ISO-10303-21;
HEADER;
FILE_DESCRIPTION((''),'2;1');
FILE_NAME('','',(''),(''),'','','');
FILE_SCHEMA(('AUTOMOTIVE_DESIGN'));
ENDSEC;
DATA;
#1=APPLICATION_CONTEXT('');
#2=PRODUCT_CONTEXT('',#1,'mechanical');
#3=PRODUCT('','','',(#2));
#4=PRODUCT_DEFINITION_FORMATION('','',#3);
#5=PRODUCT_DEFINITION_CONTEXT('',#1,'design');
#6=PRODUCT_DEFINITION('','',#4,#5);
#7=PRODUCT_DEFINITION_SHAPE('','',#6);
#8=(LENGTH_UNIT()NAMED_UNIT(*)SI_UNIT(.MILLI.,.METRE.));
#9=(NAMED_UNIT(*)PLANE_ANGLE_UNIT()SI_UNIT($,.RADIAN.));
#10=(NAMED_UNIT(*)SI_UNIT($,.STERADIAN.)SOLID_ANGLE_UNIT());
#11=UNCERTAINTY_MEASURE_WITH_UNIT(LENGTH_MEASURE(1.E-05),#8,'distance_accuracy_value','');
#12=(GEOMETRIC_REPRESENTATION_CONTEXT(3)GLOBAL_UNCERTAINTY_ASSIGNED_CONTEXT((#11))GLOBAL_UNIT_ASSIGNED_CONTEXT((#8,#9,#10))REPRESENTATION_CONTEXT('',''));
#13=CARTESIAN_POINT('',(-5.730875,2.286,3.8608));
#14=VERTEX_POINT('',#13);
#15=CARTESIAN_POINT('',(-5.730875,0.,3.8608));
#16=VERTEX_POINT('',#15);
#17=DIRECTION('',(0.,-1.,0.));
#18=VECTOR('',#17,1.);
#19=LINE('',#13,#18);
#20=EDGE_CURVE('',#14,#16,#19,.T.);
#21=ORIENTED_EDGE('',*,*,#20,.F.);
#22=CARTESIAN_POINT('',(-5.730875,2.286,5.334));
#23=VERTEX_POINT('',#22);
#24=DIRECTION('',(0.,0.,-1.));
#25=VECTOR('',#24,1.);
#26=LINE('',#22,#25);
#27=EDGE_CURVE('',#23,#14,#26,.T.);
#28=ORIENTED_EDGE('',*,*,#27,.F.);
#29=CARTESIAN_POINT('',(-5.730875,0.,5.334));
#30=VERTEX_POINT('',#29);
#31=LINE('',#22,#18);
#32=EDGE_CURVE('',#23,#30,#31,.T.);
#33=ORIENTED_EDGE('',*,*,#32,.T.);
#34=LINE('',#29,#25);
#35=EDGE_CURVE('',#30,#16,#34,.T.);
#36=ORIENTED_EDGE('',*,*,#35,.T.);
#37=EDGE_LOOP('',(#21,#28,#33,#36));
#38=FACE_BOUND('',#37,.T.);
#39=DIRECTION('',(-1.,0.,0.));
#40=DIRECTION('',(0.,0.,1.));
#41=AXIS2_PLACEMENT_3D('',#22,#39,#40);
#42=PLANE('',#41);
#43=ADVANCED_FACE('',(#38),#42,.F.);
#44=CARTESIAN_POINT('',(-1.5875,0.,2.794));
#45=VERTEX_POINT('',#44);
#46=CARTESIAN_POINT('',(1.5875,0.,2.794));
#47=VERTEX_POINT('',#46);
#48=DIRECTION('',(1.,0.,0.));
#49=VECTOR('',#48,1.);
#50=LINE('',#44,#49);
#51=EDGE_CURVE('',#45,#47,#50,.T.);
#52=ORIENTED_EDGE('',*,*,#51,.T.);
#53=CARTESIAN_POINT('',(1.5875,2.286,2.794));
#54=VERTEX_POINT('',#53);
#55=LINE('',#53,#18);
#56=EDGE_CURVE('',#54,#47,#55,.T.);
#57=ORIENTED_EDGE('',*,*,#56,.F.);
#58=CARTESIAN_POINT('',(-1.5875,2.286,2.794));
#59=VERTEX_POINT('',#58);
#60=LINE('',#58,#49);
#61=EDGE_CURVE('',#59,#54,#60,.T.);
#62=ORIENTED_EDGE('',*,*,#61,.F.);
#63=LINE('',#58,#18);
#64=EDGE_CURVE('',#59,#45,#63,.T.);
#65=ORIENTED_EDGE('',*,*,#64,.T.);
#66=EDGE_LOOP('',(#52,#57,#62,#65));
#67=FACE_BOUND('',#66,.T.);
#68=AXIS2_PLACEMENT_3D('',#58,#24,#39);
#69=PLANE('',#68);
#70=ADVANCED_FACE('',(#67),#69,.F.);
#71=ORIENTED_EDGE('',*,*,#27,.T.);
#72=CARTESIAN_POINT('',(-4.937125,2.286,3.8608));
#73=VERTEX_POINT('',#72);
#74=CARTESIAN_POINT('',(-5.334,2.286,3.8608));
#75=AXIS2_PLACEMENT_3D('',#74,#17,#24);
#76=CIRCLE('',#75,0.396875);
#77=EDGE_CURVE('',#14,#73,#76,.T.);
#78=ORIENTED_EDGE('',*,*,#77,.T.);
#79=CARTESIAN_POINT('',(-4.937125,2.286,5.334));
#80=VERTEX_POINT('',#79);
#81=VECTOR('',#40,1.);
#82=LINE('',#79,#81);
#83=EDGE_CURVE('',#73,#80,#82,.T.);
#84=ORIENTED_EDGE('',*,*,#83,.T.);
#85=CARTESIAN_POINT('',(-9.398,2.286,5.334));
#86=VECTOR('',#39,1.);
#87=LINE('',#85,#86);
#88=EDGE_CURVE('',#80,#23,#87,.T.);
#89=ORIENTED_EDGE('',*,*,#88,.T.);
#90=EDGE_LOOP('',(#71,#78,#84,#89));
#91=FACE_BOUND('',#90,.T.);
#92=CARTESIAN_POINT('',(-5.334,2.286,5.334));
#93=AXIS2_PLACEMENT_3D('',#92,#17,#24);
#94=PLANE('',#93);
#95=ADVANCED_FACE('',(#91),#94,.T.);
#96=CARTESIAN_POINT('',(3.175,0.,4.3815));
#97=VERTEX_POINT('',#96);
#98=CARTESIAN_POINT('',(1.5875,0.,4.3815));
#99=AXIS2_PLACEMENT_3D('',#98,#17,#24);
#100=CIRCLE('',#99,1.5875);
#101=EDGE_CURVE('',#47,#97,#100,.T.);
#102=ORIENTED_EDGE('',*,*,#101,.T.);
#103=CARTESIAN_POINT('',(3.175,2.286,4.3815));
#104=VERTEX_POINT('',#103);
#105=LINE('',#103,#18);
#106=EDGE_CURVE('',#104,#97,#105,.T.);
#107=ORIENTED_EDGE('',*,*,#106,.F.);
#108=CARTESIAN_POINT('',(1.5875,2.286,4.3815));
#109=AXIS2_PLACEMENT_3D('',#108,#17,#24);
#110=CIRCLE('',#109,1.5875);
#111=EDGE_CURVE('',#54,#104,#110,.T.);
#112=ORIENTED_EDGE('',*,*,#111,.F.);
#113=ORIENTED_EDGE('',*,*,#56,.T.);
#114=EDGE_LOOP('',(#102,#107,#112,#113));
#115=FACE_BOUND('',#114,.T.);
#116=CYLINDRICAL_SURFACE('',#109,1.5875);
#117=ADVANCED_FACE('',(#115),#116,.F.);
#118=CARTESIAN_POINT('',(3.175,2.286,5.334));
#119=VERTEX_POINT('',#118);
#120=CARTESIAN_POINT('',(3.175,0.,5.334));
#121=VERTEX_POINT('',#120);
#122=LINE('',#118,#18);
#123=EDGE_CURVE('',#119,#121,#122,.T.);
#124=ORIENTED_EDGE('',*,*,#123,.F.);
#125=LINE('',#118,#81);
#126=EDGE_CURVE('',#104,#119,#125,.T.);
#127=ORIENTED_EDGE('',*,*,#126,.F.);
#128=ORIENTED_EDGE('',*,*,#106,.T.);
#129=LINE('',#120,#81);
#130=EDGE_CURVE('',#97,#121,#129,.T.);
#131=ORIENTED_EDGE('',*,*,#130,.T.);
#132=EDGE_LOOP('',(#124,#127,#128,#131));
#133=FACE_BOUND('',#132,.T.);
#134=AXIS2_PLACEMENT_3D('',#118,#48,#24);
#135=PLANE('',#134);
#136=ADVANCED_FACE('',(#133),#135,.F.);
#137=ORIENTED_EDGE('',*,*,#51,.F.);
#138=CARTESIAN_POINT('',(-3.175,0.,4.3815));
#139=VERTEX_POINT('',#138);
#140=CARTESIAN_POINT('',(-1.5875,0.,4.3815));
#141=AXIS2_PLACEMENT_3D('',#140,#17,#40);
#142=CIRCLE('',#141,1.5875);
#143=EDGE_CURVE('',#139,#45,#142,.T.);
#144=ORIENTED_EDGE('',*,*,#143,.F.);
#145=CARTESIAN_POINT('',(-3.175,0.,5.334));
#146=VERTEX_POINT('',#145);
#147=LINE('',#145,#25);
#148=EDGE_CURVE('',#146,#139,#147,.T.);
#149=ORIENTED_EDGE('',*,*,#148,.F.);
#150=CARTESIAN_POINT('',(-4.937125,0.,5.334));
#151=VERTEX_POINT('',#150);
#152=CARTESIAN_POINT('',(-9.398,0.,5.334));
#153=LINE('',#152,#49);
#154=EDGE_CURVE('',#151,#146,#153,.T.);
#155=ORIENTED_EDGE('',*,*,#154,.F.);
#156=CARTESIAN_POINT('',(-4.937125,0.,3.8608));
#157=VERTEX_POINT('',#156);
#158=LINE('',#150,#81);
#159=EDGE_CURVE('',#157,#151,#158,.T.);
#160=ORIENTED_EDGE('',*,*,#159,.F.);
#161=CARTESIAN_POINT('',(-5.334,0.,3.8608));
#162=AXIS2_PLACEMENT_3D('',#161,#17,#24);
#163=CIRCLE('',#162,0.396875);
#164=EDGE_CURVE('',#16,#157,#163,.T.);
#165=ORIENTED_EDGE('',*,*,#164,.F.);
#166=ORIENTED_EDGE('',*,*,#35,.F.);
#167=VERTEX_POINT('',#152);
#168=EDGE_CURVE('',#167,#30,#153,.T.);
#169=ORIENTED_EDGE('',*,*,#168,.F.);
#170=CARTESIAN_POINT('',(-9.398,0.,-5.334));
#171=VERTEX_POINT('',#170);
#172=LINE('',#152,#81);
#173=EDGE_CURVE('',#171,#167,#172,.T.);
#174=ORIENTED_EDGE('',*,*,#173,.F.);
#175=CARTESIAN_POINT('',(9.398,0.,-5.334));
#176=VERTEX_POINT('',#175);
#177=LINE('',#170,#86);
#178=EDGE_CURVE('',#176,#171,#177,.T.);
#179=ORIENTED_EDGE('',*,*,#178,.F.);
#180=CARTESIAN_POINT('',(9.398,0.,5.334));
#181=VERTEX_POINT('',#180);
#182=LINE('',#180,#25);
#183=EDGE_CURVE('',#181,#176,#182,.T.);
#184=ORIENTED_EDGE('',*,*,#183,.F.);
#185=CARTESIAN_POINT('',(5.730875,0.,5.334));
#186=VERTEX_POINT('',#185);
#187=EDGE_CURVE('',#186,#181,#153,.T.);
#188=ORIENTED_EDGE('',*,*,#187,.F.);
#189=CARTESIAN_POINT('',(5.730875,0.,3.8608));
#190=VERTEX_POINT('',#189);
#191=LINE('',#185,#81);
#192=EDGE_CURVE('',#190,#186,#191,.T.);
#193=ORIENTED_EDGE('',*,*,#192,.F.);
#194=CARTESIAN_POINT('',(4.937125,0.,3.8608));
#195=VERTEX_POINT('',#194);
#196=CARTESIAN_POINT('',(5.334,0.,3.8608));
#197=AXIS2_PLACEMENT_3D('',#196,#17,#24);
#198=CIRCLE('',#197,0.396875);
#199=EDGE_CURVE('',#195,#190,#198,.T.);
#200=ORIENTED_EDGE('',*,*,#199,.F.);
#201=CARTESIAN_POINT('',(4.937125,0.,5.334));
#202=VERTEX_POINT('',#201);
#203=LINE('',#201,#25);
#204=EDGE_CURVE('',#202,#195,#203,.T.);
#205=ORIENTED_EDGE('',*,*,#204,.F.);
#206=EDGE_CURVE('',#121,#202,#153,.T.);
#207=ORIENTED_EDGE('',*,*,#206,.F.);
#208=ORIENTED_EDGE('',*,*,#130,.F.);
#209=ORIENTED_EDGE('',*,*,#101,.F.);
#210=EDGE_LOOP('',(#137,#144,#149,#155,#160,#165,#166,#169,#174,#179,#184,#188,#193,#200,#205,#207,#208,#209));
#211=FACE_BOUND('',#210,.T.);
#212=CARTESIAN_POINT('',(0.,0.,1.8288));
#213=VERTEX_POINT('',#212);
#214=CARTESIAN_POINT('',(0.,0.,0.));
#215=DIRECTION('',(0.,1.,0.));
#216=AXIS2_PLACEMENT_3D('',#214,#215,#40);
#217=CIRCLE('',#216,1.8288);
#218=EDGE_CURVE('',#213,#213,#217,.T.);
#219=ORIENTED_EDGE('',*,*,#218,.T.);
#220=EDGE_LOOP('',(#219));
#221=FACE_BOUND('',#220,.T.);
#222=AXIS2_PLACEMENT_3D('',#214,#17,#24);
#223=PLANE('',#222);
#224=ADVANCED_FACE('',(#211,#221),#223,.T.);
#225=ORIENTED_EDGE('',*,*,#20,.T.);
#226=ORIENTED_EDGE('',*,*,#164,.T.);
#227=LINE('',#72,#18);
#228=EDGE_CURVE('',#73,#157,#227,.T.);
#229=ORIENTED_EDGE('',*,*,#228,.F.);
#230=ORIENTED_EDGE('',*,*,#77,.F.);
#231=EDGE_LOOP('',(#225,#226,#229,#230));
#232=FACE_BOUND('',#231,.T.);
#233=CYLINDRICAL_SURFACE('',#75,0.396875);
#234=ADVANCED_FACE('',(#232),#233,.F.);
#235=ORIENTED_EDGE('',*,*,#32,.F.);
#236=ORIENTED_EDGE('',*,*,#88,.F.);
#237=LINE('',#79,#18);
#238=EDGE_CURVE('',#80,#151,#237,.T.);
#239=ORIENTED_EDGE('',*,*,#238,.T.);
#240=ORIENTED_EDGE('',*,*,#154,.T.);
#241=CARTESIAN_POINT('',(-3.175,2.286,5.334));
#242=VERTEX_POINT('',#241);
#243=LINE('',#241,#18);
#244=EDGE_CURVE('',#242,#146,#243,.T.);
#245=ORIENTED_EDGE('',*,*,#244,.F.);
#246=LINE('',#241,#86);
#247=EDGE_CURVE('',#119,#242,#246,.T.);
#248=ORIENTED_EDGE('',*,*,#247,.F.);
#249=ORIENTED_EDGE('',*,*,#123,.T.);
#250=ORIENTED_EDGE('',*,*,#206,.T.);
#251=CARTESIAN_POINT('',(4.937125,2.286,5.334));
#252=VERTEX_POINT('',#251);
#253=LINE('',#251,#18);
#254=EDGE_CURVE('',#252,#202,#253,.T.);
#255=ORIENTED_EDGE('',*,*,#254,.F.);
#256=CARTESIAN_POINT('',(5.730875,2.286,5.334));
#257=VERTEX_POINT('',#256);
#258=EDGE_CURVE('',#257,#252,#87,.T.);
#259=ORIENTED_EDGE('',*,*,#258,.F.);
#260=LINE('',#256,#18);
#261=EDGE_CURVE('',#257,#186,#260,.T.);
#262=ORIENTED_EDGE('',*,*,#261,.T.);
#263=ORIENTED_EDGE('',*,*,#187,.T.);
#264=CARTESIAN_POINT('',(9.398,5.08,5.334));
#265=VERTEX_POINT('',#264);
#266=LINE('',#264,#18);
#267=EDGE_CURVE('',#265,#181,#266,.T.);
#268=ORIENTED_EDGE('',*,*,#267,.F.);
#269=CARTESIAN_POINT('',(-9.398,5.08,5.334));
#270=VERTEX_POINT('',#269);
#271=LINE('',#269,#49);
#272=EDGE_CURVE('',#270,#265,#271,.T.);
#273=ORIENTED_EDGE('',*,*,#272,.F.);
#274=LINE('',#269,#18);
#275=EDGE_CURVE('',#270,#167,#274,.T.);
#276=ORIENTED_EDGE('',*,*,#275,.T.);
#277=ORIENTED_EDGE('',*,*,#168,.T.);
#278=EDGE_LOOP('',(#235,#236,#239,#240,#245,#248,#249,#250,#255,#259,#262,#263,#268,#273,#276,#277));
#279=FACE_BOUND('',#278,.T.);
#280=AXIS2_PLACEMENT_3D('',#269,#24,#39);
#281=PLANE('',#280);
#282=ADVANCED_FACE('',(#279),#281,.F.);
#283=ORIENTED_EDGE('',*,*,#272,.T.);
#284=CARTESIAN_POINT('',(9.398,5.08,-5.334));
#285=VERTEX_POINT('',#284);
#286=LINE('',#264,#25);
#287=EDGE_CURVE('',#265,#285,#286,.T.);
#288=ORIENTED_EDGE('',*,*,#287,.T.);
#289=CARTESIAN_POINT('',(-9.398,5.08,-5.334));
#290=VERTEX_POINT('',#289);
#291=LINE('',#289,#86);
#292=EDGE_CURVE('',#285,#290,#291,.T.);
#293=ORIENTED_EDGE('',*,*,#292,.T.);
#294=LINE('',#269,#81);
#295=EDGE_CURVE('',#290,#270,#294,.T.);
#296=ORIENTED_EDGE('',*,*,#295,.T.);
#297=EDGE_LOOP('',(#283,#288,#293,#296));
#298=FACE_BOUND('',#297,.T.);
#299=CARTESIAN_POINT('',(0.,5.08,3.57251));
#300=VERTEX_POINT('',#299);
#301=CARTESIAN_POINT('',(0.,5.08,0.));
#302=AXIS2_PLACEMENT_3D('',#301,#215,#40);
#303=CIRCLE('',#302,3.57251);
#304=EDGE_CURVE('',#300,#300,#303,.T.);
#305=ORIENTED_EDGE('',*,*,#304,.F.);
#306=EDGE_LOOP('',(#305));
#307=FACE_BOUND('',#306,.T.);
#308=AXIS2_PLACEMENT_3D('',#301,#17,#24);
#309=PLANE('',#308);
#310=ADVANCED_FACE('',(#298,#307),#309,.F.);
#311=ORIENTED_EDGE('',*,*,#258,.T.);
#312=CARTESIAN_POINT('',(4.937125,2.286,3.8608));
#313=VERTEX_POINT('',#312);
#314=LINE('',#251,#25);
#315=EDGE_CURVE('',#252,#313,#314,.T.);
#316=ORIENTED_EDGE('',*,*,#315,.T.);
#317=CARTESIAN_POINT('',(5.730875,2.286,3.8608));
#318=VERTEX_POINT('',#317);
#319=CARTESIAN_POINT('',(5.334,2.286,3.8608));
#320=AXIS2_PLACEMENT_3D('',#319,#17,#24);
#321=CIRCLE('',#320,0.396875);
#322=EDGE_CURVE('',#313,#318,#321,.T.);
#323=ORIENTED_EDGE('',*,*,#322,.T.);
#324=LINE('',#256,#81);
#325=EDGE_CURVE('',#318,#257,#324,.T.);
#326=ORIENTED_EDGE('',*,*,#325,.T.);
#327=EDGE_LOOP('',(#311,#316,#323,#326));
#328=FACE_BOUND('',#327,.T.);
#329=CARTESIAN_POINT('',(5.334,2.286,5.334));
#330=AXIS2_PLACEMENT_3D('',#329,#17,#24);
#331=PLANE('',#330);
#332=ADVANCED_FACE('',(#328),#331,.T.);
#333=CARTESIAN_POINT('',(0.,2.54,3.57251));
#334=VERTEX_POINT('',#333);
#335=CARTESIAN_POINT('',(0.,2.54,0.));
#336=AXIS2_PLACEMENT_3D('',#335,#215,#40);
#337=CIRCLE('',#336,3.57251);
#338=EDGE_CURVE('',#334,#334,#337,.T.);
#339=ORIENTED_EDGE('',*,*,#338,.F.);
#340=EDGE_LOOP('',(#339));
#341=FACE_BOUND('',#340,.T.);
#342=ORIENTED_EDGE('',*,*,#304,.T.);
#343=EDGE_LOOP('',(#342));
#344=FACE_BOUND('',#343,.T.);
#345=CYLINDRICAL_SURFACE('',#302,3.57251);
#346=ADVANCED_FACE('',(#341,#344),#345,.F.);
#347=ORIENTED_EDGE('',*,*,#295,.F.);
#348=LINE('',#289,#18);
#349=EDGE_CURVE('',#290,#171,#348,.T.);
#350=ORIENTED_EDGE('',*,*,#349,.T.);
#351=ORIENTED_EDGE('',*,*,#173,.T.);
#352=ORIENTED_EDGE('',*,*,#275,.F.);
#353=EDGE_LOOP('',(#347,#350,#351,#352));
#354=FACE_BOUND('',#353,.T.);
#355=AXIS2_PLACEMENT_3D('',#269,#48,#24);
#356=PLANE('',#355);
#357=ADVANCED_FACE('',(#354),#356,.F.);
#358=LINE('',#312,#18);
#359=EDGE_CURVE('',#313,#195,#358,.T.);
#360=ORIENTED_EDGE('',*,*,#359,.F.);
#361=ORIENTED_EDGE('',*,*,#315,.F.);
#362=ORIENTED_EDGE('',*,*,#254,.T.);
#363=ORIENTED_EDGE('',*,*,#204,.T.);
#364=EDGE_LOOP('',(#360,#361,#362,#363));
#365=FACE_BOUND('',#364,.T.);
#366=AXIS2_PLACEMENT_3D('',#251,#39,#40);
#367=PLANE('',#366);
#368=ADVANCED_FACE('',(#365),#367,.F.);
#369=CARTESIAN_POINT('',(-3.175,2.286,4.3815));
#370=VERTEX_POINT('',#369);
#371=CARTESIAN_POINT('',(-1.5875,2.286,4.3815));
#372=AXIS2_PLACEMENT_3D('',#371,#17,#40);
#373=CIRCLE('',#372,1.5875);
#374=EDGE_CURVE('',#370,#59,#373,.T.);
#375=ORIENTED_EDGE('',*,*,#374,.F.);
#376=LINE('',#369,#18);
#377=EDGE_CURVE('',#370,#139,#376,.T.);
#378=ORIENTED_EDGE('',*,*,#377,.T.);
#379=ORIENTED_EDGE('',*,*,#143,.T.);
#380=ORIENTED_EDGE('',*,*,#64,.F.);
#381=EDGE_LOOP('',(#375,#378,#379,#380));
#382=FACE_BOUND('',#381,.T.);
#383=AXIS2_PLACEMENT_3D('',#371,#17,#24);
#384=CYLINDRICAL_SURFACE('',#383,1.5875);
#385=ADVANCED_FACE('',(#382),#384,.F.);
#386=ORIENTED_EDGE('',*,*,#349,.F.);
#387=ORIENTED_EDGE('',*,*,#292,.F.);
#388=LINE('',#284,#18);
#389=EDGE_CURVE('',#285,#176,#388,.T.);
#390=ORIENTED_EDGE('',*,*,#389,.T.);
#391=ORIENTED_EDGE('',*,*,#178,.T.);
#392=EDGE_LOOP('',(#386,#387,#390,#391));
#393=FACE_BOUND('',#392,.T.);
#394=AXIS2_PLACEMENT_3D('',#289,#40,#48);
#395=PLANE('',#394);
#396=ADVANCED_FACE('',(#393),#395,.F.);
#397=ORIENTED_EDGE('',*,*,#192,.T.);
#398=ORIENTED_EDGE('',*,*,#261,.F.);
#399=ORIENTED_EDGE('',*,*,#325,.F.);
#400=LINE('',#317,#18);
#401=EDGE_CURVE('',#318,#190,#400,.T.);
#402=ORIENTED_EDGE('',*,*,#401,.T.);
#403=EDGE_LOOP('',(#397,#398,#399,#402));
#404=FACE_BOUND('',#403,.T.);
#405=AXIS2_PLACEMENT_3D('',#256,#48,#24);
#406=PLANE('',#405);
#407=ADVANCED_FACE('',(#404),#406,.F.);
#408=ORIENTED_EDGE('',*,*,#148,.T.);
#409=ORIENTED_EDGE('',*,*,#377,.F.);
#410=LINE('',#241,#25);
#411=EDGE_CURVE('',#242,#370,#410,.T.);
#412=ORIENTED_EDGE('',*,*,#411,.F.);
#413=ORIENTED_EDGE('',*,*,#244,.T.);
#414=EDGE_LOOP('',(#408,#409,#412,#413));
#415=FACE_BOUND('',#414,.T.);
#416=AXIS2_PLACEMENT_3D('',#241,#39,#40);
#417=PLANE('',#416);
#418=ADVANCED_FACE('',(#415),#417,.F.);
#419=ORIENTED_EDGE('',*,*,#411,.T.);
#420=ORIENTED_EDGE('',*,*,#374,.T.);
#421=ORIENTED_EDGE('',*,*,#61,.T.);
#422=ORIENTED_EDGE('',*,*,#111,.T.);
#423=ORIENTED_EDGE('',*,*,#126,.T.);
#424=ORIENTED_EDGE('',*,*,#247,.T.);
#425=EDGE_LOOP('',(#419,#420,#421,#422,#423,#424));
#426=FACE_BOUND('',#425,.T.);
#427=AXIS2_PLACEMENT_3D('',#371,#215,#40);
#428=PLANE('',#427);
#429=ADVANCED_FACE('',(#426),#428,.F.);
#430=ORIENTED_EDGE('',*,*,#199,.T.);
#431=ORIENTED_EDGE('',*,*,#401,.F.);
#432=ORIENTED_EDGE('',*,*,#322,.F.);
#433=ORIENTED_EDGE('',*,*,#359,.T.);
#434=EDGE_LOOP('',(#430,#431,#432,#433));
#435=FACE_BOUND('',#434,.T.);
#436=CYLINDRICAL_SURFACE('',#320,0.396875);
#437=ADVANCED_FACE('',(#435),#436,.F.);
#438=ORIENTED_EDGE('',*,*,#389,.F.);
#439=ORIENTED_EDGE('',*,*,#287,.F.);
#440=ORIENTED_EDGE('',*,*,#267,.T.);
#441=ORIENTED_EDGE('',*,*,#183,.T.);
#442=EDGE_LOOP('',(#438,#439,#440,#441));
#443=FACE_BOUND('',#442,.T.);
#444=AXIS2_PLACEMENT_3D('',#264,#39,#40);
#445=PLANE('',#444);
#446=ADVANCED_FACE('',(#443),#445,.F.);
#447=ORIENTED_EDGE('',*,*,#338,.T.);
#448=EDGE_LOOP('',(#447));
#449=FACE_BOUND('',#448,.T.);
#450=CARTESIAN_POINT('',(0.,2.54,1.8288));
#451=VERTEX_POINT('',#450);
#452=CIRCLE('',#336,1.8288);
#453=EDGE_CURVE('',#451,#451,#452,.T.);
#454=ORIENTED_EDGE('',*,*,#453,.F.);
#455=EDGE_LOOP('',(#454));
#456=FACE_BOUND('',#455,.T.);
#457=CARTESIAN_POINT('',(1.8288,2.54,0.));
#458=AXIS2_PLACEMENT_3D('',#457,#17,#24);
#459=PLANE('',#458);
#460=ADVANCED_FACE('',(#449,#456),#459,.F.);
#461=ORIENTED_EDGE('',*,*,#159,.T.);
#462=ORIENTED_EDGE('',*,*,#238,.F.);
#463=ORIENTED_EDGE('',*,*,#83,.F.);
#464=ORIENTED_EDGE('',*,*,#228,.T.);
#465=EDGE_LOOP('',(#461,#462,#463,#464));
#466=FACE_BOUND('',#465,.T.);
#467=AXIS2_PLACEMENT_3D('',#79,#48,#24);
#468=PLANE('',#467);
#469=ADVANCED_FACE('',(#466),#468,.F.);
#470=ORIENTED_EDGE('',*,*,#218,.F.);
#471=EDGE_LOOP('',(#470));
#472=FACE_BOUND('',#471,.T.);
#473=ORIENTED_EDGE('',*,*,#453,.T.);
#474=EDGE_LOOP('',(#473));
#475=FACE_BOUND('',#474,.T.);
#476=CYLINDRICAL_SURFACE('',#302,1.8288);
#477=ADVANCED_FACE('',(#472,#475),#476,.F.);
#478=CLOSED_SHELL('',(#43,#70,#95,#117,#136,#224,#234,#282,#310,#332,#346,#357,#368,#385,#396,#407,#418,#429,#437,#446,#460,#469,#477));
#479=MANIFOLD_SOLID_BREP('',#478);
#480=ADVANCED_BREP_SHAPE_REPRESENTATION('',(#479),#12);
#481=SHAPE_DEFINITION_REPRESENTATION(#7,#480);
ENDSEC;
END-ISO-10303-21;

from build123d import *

# Parameters (mm, degrees)
SKETCH1_W               = 18.796
SKETCH1_H               = 10.668
BASE_DEPTH              = 5.08
BOXSLOTS_DEPTH          = 2.286
MOUTINGHOLE_D           = 3.6576
MOUTINGHOLE_CBORE_D     = 7.14502
MOUTINGHOLE_CBORE_DEPTH = 2.54
CUT_EXTRUDE1_DEPTH      = 2.286


with BuildPart() as part:
    # Sketch1 → Base (new body)
    with BuildSketch(Plane(origin=(0, 0, 0), x_dir=(1, 0, 0), z_dir=(0, 1, 0))):
        Rectangle(SKETCH1_W, SKETCH1_H)
    extrude(amount=BASE_DEPTH)

    # Sketch2 → BoxSlots (cut)
    with BuildSketch(Plane.XZ):
        with BuildLine():
            Line((-4.937125, 5.334), (-4.937125, 3.8608))
            ThreePointArc((-4.937125, 3.8608), (-5.334, 3.463925), (-5.730875, 3.8608))
            Line((-5.730875, 3.8608), (-5.730875, 5.334))
            ThreePointArc((-5.730875, 5.334), (-5.334, 5.730875), (-4.937125, 5.334))
        make_face()
        with BuildLine():
            Line((5.730875, 5.334), (5.730875, 3.8608))
            ThreePointArc((5.730875, 3.8608), (5.334, 3.463925), (4.937125, 3.8608))
            Line((4.937125, 3.8608), (4.937125, 5.334))
            ThreePointArc((4.937125, 5.334), (5.334, 5.730875), (5.730875, 5.334))
        make_face()
    extrude(amount=-BOXSLOTS_DEPTH, mode=Mode.SUBTRACT)

    # MoutingHole (through all)
    with Locations(Plane(origin=(0, 5.08, 0), x_dir=(1, 0, 0), z_dir=(0, 1, 0))):
        with Locations((0, 0)):
            CounterBoreHole(MOUTINGHOLE_D / 2, MOUTINGHOLE_CBORE_D / 2, MOUTINGHOLE_CBORE_DEPTH)

    # Sketch7 → Cut-Extrude1 (cut)
    with BuildSketch(Plane.XZ):
        with BuildLine():
            Line((-3.175, 5.334), (3.175, 5.334))
            Line((3.175, 5.334), (3.175, 4.3815))
            ThreePointArc((3.175, 4.3815), (2.710032015, 3.258967985), (1.5875, 2.794))
            Line((1.5875, 2.794), (-1.5875, 2.794))
            ThreePointArc((-1.5875, 2.794), (-2.710032015, 3.258967985), (-3.175, 4.3815))
            Line((-3.175, 4.3815), (-3.175, 5.334))
        make_face()
    extrude(amount=-CUT_EXTRUDE1_DEPTH, mode=Mode.SUBTRACT)


solid = part.part
